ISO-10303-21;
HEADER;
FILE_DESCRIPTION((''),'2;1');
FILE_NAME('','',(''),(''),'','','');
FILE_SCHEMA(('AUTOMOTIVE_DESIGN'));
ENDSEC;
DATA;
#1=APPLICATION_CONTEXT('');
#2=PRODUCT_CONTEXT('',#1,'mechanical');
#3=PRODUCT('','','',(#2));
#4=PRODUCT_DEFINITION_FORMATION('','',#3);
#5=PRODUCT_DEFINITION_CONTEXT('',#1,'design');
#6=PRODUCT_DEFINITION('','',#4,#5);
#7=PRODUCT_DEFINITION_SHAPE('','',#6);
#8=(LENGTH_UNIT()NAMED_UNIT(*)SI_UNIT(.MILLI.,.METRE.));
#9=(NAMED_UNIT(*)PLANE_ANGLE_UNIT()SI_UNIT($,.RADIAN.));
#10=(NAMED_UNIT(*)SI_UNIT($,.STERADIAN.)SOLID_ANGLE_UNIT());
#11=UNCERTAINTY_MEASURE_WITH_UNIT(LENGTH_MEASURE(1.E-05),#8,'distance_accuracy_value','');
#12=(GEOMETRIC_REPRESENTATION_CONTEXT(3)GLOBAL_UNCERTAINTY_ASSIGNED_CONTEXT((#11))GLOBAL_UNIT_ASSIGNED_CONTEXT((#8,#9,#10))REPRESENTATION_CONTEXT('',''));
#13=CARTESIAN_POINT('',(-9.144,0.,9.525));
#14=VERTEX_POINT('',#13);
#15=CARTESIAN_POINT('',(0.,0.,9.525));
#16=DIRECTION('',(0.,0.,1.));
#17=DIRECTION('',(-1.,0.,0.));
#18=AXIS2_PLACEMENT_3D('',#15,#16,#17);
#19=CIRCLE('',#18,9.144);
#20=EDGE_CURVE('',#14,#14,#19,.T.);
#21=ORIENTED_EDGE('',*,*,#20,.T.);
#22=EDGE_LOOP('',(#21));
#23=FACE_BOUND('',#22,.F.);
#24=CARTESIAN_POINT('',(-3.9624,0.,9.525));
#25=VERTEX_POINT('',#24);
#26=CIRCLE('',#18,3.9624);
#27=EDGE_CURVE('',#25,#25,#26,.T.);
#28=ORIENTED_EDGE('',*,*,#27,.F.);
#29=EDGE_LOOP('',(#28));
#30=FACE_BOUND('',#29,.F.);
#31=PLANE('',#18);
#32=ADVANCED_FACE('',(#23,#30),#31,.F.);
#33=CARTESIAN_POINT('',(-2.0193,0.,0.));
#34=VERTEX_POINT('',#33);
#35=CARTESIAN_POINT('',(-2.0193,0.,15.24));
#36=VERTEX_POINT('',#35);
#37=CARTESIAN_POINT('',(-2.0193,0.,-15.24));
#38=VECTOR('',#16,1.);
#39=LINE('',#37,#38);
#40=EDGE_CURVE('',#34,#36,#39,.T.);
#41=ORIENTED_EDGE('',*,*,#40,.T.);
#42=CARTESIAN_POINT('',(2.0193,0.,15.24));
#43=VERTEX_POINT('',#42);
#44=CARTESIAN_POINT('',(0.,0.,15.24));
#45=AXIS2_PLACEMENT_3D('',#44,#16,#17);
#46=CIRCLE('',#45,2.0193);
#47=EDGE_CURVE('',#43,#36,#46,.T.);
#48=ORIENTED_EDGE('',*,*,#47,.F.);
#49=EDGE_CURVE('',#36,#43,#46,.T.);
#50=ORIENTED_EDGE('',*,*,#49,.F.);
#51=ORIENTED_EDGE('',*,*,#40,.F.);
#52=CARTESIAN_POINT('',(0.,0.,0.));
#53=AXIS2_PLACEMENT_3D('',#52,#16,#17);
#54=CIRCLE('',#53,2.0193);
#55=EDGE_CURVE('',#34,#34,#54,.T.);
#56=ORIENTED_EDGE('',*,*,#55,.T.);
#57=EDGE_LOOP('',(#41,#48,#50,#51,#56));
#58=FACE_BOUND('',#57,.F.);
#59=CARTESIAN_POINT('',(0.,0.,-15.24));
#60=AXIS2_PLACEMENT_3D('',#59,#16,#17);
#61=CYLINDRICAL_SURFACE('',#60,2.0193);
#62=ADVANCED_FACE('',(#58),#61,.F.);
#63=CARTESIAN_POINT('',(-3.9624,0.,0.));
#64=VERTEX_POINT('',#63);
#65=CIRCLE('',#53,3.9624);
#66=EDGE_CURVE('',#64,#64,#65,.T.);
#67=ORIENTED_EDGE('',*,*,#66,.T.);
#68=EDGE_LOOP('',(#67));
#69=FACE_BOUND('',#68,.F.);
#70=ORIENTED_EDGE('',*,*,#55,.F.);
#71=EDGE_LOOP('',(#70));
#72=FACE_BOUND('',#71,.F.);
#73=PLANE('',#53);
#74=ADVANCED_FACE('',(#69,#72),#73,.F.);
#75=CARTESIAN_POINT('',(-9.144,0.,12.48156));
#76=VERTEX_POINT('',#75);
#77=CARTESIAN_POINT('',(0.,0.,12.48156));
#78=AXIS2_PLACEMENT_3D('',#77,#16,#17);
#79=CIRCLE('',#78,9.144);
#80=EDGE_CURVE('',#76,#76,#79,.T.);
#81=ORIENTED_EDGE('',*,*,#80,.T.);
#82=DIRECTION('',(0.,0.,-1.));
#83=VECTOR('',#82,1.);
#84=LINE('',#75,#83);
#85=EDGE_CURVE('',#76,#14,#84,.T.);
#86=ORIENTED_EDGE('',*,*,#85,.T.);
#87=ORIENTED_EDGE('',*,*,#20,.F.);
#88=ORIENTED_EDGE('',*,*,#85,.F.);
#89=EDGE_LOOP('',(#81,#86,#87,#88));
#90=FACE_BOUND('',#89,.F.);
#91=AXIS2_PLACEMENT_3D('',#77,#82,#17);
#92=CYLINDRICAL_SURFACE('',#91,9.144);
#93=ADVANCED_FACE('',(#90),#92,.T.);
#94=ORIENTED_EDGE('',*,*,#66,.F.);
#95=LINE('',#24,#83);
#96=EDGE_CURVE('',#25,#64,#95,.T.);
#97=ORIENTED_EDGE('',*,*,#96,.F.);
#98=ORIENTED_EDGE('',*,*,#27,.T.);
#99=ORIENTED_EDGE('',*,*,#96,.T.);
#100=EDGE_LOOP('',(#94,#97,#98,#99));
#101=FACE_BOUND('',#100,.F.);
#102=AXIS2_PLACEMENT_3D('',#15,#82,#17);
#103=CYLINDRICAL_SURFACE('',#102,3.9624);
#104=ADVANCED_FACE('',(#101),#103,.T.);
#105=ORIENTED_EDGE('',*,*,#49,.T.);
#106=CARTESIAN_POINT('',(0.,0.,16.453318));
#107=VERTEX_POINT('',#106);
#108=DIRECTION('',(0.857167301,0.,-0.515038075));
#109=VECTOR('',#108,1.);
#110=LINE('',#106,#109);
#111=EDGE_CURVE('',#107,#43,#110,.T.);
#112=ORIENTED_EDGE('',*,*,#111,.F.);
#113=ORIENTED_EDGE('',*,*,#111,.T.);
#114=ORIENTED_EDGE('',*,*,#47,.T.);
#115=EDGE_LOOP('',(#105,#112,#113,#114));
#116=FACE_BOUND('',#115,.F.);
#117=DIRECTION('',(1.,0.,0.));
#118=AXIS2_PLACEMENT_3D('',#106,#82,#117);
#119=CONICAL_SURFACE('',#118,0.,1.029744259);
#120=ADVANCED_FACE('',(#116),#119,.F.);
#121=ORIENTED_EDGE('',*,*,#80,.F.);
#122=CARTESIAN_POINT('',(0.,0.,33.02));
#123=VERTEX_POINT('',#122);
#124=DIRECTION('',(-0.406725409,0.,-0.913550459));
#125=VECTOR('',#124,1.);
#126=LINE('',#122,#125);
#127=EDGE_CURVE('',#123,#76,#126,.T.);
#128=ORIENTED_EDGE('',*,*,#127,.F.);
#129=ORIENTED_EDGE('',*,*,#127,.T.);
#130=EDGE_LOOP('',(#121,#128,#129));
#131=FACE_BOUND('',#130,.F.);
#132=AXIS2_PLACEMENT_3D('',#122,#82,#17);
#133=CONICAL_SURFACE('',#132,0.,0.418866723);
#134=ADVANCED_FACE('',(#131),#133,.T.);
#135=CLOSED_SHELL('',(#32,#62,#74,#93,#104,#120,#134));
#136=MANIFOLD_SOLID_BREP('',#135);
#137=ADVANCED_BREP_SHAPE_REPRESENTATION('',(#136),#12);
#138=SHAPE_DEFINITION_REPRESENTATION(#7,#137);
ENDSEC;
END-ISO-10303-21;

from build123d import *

# Parameters (mm, degrees)
F3_D     = 4.0386
F3_DEPTH = 15.24
F3_TIP   = 1.213317848


with BuildPart() as f1:
    # F0 (on Front) → F1 (revolve)
    with BuildSketch(Plane.XZ):
        Polygon((0, 0), (0, 33.02), (-9.144, 12.48156), (-9.144, 9.525), (-3.9624, 9.525), (-3.9624, 0), align=None)
    revolve(axis=Axis((0, 0, 16.51), (0, 0, 1)))

    # F3
    with Locations(Plane(origin=(0, 0, 0), x_dir=(1, 0, 0), z_dir=(0, 0, -1))):
        with Locations((0, 0)):
            Hole(F3_D / 2, depth=F3_DEPTH)
            with Locations((0, 0, -(F3_DEPTH + F3_TIP / 2))):  # 118° drill point
                Cone(0, F3_D / 2, F3_TIP, mode=Mode.SUBTRACT)


solid = f1.part
